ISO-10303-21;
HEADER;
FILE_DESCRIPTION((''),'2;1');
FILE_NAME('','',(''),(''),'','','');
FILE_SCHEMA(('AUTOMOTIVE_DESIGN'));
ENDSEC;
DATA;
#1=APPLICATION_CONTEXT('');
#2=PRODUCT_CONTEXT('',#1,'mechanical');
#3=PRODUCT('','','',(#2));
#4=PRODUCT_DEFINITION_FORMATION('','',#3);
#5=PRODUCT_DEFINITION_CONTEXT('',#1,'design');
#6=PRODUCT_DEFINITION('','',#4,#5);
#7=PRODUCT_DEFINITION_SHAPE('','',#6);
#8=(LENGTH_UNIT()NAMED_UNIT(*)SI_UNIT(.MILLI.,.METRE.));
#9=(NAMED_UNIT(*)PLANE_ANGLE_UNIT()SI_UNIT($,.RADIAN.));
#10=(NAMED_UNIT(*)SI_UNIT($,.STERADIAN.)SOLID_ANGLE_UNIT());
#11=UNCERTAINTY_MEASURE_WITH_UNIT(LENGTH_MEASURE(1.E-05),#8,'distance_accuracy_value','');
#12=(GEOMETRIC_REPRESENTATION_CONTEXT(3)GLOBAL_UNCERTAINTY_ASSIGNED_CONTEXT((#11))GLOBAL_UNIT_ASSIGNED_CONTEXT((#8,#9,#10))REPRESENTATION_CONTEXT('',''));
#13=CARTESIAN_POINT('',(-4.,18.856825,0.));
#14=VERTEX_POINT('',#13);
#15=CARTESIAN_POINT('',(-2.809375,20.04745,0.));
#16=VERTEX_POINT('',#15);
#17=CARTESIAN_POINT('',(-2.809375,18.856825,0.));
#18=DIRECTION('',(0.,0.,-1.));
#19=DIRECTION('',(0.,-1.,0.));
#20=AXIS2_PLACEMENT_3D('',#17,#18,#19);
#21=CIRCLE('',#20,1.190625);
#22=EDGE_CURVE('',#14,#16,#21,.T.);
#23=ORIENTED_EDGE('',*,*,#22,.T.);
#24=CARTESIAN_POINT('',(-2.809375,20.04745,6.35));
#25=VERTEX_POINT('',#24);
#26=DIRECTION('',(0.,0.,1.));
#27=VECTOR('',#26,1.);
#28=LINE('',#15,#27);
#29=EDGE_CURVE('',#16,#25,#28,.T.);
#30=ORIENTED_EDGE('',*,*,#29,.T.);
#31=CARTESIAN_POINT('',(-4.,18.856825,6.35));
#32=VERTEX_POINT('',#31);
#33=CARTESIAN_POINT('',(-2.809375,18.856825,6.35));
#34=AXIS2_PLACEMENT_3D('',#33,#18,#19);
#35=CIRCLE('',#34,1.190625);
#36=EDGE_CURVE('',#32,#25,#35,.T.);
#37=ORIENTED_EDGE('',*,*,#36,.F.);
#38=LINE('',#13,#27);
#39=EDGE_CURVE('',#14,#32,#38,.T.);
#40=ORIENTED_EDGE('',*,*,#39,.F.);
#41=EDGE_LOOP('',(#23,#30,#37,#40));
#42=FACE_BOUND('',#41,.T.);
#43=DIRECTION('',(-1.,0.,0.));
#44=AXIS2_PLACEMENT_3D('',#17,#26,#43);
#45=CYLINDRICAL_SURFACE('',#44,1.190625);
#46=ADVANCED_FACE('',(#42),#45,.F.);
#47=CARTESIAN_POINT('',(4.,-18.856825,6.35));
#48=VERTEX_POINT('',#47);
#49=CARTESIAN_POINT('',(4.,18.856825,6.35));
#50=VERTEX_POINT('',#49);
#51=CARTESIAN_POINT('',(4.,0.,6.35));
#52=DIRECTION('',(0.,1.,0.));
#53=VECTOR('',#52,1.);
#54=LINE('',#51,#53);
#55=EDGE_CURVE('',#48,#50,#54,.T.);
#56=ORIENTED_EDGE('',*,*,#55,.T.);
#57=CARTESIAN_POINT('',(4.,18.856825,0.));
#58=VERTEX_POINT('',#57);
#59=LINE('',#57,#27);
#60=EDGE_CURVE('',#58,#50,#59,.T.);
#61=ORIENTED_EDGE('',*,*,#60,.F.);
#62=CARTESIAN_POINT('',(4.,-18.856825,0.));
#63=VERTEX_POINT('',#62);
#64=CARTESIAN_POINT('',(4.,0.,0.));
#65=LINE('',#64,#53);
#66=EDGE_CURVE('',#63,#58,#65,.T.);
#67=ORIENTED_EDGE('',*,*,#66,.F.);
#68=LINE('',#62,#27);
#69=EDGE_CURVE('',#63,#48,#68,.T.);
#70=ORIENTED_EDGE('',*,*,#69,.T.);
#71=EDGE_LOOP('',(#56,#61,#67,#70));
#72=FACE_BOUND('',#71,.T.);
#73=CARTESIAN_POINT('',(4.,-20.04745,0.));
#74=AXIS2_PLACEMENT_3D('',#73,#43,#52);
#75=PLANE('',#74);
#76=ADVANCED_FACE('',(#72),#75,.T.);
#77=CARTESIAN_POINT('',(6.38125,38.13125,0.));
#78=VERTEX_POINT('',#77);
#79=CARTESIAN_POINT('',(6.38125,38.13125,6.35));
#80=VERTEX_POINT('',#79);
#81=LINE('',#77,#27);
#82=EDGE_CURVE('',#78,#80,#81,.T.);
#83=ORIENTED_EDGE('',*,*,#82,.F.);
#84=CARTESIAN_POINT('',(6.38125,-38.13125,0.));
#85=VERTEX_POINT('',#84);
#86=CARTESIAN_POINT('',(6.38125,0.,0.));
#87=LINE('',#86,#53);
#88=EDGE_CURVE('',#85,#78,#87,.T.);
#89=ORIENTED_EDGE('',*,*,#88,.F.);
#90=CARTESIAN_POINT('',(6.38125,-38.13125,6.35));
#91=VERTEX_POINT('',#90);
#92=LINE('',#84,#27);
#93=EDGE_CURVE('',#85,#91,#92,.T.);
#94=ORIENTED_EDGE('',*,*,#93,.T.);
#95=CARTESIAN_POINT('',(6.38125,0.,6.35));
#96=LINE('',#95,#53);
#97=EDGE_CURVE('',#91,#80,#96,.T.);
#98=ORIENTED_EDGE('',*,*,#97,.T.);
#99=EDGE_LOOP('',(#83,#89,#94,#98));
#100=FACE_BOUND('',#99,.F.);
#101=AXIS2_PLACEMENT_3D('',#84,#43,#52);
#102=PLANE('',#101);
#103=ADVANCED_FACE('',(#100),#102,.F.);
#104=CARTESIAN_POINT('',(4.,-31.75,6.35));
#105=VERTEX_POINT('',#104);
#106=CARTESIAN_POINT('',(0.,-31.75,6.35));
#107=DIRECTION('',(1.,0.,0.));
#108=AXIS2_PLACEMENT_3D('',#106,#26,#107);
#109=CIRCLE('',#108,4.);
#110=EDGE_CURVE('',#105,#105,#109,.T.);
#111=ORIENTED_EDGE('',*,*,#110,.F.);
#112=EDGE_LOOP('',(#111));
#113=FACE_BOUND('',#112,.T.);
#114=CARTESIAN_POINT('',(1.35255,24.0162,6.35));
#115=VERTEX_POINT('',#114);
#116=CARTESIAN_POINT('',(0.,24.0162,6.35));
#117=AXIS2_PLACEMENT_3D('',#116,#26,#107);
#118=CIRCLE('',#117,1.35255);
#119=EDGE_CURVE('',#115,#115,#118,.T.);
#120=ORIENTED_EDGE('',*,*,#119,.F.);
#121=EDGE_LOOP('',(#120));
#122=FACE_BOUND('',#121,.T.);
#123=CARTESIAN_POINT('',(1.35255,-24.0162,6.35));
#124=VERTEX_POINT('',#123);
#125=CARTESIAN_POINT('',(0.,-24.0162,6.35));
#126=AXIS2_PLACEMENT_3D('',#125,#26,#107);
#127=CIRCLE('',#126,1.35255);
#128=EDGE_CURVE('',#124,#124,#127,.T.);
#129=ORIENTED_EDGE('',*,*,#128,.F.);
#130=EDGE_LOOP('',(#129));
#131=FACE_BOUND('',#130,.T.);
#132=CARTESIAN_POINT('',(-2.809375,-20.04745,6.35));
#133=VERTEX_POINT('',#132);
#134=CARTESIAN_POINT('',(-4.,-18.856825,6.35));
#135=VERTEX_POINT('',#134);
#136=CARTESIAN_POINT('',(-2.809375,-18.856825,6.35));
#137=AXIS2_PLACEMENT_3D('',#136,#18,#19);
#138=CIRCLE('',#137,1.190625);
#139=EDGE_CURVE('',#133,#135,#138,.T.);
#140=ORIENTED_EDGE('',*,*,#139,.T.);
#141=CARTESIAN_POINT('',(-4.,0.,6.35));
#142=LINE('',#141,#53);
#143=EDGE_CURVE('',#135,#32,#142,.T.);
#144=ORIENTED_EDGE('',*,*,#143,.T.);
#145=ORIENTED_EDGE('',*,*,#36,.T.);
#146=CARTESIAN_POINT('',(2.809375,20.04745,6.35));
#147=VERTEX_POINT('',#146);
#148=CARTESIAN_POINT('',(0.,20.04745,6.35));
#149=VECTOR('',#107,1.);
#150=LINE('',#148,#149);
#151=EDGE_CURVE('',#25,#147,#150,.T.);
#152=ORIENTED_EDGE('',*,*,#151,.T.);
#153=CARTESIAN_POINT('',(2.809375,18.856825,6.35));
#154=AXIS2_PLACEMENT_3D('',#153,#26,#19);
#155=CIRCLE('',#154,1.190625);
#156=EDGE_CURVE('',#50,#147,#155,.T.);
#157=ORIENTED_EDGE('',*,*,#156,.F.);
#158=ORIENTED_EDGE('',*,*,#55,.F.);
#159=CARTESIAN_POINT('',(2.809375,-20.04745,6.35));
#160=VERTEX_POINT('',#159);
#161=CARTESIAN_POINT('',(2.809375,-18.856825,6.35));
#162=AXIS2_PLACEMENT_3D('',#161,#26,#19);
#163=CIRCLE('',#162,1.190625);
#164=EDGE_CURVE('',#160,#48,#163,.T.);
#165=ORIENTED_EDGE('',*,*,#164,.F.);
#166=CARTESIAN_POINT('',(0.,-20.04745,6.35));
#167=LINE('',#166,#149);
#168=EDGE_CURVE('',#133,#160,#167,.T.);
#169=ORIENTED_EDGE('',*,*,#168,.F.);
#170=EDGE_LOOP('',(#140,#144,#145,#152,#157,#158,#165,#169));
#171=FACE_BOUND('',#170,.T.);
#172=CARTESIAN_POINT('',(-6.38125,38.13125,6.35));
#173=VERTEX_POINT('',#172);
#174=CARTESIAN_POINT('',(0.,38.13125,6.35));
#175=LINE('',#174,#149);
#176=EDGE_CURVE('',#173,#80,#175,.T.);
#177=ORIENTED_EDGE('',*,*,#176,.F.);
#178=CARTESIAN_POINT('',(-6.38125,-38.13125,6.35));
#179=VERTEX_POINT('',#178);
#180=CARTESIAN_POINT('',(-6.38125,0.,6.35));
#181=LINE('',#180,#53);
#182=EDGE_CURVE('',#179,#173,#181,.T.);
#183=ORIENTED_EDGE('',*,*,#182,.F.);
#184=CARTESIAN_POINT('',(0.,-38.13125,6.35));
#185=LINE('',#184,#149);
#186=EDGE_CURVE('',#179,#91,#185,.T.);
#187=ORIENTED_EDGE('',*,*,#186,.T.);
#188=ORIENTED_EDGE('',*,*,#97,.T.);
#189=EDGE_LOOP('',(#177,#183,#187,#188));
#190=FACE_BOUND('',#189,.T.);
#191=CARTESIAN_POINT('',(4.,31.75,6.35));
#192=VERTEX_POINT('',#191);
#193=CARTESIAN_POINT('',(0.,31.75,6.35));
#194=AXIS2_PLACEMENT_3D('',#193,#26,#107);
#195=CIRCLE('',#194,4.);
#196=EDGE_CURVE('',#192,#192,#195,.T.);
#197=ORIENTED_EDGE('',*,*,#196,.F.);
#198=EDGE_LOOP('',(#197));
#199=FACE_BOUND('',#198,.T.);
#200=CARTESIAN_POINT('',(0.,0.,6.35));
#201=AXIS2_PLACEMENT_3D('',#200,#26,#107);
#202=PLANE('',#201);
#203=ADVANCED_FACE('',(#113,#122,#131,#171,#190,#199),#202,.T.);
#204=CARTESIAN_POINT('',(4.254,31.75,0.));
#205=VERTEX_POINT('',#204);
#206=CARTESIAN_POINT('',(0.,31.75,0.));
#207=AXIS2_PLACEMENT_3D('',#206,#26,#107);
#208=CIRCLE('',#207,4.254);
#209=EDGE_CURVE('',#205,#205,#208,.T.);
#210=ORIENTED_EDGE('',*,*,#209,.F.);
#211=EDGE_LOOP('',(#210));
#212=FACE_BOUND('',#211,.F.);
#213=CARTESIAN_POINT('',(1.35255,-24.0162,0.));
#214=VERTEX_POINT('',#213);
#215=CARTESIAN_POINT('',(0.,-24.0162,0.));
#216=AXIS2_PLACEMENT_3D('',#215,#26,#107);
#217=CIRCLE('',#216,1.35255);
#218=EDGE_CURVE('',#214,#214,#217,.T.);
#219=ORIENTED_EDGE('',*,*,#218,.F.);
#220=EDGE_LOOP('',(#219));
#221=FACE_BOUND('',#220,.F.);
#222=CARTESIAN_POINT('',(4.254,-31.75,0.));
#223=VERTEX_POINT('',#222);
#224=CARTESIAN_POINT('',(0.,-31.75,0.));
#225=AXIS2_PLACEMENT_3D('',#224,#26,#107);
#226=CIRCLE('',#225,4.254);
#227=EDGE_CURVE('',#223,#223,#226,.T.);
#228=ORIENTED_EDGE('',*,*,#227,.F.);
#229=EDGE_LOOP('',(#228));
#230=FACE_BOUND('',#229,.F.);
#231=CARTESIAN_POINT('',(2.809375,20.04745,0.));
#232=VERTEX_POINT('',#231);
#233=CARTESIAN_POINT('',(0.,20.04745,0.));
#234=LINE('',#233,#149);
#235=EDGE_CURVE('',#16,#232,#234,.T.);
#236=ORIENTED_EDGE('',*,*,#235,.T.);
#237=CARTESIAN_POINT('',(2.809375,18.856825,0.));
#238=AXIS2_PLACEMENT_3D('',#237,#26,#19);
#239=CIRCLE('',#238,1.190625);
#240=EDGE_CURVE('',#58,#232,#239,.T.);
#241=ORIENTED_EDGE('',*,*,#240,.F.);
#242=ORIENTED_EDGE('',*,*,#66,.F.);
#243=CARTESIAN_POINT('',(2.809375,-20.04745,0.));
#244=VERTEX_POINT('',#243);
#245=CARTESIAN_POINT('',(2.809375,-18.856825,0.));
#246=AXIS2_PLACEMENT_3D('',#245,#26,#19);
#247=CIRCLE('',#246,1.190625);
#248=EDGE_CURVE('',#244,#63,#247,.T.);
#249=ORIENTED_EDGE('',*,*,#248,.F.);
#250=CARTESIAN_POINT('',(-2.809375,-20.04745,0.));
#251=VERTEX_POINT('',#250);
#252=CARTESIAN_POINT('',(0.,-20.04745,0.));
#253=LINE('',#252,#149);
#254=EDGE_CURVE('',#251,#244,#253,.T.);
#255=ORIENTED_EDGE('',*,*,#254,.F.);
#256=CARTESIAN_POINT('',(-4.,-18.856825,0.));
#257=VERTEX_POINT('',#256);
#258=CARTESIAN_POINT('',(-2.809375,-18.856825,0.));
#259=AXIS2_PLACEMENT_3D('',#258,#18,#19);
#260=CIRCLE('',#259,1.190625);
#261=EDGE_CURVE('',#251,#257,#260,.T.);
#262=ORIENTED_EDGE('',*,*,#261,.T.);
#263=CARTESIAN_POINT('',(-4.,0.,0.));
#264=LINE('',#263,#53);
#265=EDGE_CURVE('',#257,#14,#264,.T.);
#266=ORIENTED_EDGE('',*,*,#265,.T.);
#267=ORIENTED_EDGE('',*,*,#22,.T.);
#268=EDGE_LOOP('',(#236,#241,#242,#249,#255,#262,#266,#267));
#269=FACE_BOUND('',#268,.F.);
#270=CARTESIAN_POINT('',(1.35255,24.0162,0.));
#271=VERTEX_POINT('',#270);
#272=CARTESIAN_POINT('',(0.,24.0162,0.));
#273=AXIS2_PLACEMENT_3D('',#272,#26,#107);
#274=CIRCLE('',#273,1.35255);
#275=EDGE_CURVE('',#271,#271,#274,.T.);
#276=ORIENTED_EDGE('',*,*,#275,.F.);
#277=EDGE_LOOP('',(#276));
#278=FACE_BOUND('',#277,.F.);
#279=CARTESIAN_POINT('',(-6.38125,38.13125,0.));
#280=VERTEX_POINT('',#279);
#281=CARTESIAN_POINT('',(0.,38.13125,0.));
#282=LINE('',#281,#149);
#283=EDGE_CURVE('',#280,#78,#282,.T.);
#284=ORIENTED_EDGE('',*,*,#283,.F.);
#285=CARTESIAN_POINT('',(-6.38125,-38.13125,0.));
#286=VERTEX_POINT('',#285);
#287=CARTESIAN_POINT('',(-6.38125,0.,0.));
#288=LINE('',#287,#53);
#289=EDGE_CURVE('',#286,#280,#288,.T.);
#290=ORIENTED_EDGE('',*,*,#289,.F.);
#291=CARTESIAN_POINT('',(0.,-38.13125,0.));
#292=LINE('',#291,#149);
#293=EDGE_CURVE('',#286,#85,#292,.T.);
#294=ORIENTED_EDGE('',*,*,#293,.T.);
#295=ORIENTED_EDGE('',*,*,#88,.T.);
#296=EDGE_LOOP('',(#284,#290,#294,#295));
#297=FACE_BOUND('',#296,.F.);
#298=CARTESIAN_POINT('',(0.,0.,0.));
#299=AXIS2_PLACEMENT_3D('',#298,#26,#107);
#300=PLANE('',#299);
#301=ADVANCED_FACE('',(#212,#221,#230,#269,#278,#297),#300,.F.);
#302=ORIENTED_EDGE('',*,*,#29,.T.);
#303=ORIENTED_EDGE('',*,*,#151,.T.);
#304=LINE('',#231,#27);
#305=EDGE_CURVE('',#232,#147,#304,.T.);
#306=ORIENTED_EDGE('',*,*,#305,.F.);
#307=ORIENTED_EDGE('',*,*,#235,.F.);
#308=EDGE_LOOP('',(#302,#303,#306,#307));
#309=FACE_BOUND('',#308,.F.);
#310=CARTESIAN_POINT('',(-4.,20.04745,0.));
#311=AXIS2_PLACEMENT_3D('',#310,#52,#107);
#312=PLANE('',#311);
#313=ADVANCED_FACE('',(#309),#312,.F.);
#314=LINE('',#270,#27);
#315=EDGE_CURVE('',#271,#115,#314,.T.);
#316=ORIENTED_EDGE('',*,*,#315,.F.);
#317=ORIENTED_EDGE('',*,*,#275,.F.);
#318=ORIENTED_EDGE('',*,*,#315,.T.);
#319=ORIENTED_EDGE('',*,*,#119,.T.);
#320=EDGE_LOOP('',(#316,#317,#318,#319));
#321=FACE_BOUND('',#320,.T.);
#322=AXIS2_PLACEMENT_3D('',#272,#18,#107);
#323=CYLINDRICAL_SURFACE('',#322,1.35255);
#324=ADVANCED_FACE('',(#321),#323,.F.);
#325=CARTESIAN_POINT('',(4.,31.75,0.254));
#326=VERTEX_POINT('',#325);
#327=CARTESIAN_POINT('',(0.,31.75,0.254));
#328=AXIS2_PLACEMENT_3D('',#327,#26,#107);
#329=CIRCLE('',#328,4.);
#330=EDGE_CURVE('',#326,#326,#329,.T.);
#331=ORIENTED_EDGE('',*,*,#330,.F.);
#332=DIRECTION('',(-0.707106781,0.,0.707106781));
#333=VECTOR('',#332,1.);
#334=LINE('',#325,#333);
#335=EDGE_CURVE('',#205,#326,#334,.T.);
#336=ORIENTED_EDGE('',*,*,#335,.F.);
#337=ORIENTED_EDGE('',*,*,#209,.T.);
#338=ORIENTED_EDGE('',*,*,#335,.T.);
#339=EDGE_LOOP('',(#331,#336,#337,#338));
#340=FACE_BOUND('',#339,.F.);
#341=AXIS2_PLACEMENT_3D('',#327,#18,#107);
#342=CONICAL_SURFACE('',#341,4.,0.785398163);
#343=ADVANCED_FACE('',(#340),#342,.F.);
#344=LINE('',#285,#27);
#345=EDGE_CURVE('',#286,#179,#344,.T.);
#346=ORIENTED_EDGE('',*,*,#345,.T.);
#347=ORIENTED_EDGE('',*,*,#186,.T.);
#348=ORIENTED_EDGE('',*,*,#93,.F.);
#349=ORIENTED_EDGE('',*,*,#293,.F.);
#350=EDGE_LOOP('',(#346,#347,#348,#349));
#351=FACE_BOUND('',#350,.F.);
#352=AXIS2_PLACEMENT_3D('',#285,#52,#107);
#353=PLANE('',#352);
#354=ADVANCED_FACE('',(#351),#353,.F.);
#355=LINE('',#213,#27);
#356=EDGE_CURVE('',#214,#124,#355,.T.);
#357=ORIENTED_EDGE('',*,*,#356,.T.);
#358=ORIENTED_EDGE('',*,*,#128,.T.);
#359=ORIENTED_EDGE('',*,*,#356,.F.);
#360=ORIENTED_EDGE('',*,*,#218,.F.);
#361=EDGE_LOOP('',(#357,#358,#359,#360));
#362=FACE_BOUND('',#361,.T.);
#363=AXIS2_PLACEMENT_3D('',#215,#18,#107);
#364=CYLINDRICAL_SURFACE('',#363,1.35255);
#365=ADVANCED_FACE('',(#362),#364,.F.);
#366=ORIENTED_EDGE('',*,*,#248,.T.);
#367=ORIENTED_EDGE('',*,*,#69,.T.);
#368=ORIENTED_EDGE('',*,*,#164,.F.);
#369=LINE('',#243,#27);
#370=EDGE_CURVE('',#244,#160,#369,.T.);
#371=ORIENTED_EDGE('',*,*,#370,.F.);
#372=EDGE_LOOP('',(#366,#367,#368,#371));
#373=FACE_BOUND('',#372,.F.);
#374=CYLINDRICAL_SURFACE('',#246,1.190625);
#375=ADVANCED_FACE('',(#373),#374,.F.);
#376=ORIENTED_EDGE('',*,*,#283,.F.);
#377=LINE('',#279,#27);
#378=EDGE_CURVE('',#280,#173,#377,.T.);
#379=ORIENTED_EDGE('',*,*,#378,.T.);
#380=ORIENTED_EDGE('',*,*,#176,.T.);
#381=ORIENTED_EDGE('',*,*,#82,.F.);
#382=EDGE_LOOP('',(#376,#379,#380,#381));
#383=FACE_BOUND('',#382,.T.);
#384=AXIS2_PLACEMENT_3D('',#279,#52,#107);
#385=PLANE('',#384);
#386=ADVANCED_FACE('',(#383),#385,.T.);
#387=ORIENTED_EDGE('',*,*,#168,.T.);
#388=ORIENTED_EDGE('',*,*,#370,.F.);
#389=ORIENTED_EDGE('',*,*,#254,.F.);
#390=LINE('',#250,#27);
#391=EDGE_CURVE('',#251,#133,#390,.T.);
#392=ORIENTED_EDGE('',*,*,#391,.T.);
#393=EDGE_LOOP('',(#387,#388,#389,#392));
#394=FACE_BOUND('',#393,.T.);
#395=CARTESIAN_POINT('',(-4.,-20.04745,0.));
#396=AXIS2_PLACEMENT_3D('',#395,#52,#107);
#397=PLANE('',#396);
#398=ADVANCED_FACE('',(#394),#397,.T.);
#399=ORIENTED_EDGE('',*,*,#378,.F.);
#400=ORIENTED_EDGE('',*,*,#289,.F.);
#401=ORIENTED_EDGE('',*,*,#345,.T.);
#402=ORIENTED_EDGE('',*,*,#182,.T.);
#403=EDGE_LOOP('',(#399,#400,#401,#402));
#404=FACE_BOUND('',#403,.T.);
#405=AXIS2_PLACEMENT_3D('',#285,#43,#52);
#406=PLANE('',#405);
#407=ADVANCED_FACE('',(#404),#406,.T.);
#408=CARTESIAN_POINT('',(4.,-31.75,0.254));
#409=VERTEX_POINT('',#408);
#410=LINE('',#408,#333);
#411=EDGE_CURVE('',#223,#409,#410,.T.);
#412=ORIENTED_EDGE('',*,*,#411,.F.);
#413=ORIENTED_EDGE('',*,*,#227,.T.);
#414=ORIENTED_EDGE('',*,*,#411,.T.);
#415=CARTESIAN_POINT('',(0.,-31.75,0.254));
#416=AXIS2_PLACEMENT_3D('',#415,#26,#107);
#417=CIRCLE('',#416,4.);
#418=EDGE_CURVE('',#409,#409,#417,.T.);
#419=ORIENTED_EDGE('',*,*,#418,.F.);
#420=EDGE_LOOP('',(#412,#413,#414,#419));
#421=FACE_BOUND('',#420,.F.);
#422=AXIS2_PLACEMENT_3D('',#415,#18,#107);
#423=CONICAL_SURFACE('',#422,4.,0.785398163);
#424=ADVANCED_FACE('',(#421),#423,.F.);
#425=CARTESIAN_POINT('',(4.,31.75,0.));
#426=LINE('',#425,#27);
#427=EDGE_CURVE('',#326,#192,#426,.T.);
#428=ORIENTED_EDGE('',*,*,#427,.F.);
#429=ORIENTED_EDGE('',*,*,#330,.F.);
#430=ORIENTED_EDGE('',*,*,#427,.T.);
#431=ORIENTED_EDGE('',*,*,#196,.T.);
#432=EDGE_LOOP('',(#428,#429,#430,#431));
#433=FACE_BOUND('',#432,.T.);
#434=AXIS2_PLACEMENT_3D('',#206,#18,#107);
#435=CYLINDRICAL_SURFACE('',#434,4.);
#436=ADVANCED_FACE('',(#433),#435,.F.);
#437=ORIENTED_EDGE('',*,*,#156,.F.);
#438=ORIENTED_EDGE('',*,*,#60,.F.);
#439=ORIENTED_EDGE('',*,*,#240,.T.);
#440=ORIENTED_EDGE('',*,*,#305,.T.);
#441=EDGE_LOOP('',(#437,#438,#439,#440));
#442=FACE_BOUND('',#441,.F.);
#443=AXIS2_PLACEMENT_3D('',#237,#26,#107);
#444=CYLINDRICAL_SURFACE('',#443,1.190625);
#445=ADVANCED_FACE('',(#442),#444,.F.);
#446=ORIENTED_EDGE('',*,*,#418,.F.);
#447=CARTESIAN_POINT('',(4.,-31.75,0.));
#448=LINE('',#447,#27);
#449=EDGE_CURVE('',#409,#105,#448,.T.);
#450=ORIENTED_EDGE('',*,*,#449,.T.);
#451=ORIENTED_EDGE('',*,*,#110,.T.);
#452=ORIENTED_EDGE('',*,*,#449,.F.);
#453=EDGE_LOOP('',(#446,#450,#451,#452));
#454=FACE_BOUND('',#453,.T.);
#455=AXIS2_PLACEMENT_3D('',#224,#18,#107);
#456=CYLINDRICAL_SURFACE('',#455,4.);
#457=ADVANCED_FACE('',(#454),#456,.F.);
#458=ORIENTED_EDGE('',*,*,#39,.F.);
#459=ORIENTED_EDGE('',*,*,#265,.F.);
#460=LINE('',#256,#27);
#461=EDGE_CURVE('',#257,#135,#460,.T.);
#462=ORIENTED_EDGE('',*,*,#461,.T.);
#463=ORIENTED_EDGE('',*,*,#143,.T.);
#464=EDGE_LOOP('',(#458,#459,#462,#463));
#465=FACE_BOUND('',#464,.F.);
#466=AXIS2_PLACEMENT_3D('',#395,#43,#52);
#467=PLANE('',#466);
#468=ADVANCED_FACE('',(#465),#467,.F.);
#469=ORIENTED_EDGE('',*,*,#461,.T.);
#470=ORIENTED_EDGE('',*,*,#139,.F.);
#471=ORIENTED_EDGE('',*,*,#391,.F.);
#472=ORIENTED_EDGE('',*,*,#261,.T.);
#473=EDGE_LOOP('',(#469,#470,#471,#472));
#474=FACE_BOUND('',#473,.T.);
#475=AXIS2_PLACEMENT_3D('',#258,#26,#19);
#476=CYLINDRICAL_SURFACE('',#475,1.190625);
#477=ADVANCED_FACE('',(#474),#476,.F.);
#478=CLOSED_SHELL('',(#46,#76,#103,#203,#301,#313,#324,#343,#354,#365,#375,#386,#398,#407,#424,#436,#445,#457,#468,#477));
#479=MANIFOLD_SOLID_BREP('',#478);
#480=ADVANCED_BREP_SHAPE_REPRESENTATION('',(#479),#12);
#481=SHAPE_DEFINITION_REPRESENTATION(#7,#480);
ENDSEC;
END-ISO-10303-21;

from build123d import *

# Parameters (mm, degrees)
F0_W     = 12.7625
F0_H     = 76.2625
F0_R     = 4
F0_R_2   = 1.35255
F0_W_2   = 8
F0_H_2   = 40.0949
F1_DEPTH = 6.35
F2_R     = 1.190625
F3_SIZE  = 0.254


with BuildPart() as f1:
    # F0 (on Top) → F1 (new body)
    with BuildSketch(Plane.XY):
        Rectangle(F0_W, F0_H)
        with Locations((0, -31.75)):
            Circle(F0_R, mode=Mode.SUBTRACT)
        with Locations((0, -24.0162)):
            Circle(F0_R_2, mode=Mode.SUBTRACT)
        Rectangle(F0_W_2, F0_H_2, mode=Mode.SUBTRACT)
        with Locations((0, 24.0162)):
            Circle(F0_R_2, mode=Mode.SUBTRACT)
        with Locations((0, 31.75)):
            Circle(F0_R, mode=Mode.SUBTRACT)
    extrude(amount=F1_DEPTH)

    # F2
    f2_edges = [f1.edges().sort_by_distance(p)[0] for p in [
        (-4, 20.04745, 3.175),
        (4, 20.04745, 3.175),
        (4, -20.04745, 3.175),
        (-4, -20.04745, 3.175),
    ]]
    fillet(f2_edges, radius=F2_R)

    # F3
    f3_edges = [f1.edges().sort_by_distance(p)[0] for p in [
        (-4, 31.75, 0),
        (-4, -31.75, 0),
    ]]
    chamfer(f3_edges, length=F3_SIZE)


solid = f1.part
